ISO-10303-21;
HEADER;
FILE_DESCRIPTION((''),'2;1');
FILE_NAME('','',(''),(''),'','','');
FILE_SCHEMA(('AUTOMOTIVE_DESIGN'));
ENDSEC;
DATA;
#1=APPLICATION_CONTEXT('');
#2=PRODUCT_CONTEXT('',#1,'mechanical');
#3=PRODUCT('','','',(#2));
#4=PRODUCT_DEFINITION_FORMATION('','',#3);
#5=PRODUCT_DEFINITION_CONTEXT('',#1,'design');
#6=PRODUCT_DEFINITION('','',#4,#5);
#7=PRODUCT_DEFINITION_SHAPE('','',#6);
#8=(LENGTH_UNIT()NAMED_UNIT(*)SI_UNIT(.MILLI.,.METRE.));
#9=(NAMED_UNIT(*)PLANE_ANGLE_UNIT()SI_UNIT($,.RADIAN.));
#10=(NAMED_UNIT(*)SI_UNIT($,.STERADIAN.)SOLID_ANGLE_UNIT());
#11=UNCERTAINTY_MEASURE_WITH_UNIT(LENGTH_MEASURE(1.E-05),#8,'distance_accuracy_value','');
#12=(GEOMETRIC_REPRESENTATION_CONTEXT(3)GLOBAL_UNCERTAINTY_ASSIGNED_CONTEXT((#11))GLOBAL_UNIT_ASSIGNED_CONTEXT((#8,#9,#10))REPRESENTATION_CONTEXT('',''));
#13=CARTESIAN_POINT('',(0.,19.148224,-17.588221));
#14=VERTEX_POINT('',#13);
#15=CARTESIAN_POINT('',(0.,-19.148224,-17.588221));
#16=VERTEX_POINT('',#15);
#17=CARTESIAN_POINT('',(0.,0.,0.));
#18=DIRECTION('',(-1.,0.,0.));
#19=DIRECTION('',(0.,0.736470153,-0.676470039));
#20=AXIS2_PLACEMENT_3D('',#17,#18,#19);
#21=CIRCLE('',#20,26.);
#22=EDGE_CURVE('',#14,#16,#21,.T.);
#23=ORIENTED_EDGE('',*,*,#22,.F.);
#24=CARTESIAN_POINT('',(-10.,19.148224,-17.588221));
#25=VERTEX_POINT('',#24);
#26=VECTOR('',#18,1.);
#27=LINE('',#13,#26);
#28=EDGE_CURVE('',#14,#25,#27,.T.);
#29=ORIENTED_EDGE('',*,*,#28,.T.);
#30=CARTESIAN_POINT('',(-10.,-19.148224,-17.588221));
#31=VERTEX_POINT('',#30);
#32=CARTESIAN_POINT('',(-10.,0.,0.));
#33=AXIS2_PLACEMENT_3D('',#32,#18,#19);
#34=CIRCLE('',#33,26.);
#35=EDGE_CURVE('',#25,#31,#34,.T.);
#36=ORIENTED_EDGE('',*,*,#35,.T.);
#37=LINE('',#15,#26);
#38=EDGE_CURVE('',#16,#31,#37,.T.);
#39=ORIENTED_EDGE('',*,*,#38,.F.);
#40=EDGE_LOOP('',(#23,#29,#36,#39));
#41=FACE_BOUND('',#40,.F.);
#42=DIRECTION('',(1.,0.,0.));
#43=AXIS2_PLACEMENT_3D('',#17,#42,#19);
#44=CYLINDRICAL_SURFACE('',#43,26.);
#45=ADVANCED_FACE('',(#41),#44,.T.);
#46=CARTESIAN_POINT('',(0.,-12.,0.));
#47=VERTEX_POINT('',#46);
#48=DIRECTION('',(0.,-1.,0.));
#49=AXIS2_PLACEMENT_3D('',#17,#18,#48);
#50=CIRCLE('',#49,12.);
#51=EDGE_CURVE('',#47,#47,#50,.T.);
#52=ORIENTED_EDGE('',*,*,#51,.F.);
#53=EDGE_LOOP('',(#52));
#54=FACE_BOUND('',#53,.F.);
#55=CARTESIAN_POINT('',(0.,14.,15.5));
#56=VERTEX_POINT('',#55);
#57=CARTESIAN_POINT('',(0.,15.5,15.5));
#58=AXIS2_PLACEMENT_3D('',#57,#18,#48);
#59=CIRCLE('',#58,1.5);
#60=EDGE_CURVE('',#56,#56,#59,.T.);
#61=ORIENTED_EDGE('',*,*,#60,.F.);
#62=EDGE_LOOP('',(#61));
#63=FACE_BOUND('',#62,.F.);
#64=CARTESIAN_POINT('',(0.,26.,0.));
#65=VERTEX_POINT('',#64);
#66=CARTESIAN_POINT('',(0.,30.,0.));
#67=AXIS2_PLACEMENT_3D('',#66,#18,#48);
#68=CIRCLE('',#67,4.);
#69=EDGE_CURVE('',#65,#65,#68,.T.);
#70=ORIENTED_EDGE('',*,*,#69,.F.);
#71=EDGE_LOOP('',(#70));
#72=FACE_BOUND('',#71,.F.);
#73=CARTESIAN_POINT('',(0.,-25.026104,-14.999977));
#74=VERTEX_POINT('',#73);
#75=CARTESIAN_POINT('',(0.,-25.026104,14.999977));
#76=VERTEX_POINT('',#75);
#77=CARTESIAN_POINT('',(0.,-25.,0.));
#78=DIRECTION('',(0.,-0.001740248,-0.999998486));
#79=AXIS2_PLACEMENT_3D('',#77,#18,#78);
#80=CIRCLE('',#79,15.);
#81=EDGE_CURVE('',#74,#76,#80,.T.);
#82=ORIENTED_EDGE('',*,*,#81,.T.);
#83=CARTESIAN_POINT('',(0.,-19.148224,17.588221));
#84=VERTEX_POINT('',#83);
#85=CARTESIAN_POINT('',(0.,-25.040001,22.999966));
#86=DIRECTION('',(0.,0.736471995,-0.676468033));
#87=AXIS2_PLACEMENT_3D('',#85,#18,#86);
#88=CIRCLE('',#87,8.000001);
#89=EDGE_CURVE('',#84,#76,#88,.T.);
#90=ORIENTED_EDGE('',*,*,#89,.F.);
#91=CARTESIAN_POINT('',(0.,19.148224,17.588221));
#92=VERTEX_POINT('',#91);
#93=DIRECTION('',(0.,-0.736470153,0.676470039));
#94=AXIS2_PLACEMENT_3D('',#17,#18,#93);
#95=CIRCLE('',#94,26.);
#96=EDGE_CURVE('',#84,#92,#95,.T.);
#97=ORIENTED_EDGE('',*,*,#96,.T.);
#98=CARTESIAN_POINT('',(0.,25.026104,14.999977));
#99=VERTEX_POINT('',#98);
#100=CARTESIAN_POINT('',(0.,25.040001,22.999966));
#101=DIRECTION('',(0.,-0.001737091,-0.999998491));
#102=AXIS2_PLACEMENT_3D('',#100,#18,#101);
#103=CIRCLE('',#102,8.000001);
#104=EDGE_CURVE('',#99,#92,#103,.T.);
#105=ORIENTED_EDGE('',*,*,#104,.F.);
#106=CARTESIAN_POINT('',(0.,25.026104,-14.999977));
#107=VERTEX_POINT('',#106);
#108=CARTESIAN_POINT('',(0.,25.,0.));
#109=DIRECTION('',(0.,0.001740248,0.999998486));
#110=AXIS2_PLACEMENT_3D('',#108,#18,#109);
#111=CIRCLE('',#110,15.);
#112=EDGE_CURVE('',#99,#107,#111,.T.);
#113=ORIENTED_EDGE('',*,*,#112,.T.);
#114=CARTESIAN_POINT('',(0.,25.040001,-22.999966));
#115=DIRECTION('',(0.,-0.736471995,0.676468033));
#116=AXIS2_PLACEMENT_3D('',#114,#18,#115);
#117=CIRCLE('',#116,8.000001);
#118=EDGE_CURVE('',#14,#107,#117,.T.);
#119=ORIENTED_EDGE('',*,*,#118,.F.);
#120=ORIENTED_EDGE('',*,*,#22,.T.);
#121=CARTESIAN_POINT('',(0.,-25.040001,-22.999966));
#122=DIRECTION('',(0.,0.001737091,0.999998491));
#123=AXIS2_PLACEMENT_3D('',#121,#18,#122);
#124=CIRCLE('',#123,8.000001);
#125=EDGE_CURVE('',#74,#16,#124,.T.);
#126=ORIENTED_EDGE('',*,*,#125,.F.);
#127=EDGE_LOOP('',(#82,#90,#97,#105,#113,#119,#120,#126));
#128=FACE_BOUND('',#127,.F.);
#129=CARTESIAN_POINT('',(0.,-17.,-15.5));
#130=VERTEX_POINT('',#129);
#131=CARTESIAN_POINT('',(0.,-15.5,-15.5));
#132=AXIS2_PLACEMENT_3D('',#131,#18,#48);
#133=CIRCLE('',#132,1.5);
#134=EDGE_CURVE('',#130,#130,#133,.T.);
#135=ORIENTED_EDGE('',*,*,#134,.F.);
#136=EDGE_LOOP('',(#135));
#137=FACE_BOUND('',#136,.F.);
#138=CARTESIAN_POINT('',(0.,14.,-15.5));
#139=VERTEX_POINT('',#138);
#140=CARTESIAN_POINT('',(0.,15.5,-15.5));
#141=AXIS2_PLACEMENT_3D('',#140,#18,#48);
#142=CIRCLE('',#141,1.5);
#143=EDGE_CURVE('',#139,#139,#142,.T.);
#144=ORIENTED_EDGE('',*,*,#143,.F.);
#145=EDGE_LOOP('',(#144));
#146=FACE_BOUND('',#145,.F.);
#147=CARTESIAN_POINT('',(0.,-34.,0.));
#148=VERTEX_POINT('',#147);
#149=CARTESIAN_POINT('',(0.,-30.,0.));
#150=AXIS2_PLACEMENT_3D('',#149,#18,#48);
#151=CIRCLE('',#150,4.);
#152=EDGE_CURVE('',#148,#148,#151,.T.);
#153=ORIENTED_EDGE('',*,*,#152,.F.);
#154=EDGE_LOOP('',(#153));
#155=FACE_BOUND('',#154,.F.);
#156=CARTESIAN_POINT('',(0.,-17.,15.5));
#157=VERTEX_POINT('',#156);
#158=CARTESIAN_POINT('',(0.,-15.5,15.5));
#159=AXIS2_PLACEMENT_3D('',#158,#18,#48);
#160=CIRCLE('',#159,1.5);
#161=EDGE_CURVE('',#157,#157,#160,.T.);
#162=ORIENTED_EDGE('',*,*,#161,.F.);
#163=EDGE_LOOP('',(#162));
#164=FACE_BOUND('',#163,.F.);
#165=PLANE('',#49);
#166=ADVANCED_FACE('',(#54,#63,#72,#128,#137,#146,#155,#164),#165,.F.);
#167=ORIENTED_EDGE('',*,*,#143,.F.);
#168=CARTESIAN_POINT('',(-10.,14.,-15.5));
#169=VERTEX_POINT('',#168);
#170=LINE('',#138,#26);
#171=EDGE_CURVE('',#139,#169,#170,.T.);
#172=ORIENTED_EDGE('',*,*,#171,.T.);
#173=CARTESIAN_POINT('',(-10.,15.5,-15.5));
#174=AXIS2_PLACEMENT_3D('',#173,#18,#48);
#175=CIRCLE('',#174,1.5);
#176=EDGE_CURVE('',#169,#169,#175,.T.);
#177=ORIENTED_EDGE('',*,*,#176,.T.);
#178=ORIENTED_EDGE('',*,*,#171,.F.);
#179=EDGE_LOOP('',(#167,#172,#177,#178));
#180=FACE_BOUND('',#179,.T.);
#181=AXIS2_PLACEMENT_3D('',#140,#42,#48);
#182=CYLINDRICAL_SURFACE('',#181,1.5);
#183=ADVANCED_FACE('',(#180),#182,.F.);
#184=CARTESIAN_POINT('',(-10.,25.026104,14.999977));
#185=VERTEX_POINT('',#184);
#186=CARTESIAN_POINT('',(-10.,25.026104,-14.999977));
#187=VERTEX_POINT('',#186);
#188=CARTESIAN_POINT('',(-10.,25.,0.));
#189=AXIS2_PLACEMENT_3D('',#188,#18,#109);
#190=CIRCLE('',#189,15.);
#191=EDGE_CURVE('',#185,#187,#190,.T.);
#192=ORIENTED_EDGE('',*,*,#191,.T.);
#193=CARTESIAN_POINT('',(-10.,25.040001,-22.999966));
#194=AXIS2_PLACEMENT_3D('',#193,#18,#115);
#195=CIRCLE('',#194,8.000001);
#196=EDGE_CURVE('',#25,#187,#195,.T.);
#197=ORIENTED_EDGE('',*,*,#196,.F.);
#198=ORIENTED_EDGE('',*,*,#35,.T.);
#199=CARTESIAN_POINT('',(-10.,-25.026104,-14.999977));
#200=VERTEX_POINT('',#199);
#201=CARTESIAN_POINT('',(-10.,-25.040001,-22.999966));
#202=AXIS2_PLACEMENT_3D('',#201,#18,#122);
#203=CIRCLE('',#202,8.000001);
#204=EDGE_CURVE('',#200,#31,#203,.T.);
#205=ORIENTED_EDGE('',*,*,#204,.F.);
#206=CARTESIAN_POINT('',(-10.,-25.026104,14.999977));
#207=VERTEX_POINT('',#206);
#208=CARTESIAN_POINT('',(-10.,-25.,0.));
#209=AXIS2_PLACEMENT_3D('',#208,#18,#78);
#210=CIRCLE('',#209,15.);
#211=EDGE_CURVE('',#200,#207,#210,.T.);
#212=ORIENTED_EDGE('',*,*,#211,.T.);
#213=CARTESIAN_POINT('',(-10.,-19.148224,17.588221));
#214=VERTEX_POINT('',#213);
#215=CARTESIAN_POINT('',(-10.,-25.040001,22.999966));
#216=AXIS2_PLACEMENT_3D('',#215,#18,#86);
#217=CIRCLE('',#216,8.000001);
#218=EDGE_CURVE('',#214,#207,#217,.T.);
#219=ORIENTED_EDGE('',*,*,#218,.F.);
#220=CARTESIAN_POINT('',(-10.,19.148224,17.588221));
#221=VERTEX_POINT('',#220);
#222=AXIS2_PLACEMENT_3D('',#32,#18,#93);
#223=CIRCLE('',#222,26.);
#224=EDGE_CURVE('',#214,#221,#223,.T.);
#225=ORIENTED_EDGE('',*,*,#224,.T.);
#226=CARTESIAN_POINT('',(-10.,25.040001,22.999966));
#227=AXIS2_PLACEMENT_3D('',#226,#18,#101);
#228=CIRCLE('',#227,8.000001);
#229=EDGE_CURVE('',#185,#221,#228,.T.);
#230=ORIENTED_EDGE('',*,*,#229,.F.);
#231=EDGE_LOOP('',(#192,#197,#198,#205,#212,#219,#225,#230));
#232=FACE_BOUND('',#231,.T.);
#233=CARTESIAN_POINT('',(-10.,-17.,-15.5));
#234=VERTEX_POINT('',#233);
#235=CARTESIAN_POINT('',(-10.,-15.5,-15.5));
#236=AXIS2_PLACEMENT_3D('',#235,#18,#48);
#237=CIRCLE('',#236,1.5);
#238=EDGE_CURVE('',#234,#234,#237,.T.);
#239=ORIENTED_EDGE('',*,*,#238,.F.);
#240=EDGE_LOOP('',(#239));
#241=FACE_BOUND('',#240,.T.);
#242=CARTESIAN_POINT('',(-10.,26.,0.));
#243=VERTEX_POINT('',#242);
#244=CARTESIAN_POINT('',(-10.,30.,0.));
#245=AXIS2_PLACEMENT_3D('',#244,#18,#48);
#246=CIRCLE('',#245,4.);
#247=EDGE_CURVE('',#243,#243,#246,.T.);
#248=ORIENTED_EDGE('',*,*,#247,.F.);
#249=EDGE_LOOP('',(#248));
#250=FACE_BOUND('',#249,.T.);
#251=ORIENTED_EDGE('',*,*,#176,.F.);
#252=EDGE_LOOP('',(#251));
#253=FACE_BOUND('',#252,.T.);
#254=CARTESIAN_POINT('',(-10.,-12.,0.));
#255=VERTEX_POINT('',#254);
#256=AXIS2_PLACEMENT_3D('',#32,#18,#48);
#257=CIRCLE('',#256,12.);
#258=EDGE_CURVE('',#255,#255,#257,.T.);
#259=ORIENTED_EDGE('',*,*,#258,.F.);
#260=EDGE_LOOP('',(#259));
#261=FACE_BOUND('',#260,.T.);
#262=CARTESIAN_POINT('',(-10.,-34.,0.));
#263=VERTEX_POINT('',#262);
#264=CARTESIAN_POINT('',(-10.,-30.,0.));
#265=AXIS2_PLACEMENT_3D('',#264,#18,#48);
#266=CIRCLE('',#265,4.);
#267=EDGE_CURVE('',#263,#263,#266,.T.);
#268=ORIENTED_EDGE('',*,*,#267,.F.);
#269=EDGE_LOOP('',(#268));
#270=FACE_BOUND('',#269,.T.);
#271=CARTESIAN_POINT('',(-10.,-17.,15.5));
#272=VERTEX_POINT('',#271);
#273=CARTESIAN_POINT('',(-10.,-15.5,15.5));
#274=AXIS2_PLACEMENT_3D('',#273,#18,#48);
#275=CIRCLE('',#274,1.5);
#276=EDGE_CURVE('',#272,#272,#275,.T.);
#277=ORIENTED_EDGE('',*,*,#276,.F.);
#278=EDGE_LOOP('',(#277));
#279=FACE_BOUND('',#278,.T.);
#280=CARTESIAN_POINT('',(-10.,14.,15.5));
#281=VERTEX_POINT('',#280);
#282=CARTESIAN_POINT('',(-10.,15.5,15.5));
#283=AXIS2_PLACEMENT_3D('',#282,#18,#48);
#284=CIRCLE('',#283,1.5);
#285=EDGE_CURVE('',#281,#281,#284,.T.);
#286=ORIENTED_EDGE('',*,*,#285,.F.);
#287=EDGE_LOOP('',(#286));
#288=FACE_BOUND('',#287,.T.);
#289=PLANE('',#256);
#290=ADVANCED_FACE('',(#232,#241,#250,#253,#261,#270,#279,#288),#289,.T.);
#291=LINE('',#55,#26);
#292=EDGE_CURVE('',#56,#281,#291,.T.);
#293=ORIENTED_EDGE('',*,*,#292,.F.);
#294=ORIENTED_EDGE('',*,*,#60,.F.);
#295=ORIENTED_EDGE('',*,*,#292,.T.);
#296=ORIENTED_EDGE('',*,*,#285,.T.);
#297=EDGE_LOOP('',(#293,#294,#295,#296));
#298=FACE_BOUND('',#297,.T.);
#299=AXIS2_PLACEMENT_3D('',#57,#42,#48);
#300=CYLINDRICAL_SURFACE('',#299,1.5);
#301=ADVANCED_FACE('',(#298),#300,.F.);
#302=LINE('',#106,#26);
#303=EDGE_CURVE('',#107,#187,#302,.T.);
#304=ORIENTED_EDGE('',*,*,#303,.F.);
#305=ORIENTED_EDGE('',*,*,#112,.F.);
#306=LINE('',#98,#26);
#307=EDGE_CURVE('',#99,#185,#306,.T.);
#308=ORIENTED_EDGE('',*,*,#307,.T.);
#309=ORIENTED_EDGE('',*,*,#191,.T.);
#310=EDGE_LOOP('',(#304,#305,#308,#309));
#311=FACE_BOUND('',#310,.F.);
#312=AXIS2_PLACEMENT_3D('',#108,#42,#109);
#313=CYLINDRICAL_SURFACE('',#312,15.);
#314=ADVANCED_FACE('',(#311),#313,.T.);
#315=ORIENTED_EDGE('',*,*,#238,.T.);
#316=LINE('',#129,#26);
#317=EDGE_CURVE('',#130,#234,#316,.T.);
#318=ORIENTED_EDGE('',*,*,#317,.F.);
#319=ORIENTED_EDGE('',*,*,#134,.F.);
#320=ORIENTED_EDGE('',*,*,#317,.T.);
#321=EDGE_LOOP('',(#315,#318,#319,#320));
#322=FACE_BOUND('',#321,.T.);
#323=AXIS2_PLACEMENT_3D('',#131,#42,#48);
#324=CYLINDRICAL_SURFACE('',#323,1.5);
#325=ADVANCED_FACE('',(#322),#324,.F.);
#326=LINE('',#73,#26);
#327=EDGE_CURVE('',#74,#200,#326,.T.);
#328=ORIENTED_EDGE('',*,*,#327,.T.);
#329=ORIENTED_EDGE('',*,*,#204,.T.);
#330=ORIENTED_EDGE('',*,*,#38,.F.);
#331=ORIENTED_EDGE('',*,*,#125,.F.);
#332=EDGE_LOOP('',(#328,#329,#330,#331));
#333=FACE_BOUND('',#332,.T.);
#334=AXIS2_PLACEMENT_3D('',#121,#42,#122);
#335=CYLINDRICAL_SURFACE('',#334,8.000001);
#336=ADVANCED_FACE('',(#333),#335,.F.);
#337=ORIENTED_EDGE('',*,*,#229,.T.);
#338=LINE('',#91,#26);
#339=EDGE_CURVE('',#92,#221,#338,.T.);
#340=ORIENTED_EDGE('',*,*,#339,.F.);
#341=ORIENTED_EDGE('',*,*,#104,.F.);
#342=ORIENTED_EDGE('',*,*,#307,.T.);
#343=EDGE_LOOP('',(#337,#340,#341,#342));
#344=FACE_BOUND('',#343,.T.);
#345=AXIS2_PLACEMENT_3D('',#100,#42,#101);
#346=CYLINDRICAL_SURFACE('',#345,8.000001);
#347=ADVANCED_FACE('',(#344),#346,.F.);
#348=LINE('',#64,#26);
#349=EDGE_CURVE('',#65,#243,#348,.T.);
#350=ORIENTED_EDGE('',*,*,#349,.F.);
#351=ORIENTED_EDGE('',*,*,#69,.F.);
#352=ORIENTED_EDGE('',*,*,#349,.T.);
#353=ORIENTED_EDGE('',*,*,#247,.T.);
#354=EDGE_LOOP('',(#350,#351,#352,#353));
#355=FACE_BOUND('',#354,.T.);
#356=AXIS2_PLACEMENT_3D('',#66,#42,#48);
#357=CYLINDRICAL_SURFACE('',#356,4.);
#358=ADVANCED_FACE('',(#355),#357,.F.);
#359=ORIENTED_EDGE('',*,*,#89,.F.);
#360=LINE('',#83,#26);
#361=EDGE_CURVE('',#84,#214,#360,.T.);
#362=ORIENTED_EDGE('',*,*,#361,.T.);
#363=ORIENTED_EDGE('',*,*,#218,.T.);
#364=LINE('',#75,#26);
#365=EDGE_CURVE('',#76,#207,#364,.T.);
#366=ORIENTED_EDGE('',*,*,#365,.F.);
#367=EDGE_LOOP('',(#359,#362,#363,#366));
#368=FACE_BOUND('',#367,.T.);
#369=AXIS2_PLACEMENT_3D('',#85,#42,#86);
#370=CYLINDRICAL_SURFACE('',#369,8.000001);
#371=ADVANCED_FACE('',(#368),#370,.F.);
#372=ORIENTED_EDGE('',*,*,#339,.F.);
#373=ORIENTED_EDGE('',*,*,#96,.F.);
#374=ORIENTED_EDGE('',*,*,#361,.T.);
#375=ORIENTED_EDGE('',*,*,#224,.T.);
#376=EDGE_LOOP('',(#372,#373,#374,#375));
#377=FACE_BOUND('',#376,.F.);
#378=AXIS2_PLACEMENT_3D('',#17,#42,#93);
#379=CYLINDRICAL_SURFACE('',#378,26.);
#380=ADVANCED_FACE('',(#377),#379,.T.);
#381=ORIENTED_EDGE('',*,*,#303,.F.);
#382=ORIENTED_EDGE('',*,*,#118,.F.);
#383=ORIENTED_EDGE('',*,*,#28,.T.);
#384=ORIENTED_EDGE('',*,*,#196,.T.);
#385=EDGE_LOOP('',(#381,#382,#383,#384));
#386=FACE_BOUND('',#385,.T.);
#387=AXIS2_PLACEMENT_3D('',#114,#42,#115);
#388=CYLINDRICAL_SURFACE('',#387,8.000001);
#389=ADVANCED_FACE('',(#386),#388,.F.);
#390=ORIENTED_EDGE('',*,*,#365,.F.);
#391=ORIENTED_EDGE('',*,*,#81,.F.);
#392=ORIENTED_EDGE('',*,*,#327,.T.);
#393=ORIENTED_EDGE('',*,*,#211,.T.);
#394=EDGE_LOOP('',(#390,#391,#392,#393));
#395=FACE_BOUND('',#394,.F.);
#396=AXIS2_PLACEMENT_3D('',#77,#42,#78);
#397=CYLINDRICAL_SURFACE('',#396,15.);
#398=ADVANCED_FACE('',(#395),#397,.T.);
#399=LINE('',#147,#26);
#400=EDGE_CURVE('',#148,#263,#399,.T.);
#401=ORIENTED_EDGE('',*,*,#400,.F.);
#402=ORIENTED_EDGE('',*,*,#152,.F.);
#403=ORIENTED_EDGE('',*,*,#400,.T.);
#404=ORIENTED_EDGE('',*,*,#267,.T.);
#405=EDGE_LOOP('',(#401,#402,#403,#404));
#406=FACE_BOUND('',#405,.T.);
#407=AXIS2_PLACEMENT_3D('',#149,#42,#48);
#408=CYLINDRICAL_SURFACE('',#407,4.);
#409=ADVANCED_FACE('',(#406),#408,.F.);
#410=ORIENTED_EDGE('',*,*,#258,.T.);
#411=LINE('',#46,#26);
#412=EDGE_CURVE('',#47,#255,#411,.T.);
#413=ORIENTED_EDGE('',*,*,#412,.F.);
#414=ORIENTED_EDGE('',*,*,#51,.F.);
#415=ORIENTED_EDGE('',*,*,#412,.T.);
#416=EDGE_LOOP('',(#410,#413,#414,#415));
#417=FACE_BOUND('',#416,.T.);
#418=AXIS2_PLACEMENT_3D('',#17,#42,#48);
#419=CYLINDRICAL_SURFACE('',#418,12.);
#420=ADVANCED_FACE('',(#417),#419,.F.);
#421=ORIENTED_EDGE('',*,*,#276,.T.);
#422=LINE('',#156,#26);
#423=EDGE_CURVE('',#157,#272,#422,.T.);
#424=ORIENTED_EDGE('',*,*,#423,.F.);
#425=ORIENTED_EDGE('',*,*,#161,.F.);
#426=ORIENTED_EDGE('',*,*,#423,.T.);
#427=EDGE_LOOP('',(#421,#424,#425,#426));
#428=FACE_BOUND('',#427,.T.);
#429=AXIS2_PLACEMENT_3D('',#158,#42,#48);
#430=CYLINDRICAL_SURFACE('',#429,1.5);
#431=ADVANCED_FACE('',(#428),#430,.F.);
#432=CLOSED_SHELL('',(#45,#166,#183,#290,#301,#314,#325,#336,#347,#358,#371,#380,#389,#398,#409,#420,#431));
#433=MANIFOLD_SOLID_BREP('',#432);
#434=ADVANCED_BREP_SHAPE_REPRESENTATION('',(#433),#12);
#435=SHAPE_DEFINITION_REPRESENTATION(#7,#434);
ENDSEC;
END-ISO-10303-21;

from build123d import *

# Parameters (mm, degrees)
SKETCH018_R   = 4
SKETCH018_R_2 = 1.5
SKETCH018_R_3 = 12
PAD_DEPTH     = 10


with BuildPart() as part:
    # Sketch018 → Pad (new body)
    with BuildSketch(Plane(origin=(0, 0, 0), x_dir=(0, -1, 0), z_dir=(-1, 0, 0))):
        with BuildLine():
            ThreePointArc((19.148224, 17.588221), (0, 26), (-19.148224, 17.588221))
            ThreePointArc((-25.026104, 14.999977), (-21.816028, 15.678353), (-19.148224, 17.588221))
            ThreePointArc((-25.026104, 14.999977), (-40, 0), (-25.026104, -14.999977))
            ThreePointArc((-19.148224, -17.588221), (-21.816028, -15.678353), (-25.026104, -14.999977))
            ThreePointArc((-19.148224, -17.588221), (0, -26), (19.148224, -17.588221))
            ThreePointArc((25.026104, -14.999977), (21.816028, -15.678353), (19.148224, -17.588221))
            ThreePointArc((25.026104, -14.999977), (40, 0), (25.026104, 14.999977))
            ThreePointArc((19.148224, 17.588221), (21.816028, 15.678353), (25.026104, 14.999977))
        make_face()
        with Locations((-30, 0)):
            Circle(SKETCH018_R, mode=Mode.SUBTRACT)
        with Locations((30, 0)):
            Circle(SKETCH018_R, mode=Mode.SUBTRACT)
        with Locations((-15.5, 15.5)):
            Circle(SKETCH018_R_2, mode=Mode.SUBTRACT)
        with Locations((15.5, 15.5)):
            Circle(SKETCH018_R_2, mode=Mode.SUBTRACT)
        with Locations((-15.5, -15.5)):
            Circle(SKETCH018_R_2, mode=Mode.SUBTRACT)
        with Locations((15.5, -15.5)):
            Circle(SKETCH018_R_2, mode=Mode.SUBTRACT)
        Circle(SKETCH018_R_3, mode=Mode.SUBTRACT)
    extrude(amount=PAD_DEPTH)


solid = part.part
